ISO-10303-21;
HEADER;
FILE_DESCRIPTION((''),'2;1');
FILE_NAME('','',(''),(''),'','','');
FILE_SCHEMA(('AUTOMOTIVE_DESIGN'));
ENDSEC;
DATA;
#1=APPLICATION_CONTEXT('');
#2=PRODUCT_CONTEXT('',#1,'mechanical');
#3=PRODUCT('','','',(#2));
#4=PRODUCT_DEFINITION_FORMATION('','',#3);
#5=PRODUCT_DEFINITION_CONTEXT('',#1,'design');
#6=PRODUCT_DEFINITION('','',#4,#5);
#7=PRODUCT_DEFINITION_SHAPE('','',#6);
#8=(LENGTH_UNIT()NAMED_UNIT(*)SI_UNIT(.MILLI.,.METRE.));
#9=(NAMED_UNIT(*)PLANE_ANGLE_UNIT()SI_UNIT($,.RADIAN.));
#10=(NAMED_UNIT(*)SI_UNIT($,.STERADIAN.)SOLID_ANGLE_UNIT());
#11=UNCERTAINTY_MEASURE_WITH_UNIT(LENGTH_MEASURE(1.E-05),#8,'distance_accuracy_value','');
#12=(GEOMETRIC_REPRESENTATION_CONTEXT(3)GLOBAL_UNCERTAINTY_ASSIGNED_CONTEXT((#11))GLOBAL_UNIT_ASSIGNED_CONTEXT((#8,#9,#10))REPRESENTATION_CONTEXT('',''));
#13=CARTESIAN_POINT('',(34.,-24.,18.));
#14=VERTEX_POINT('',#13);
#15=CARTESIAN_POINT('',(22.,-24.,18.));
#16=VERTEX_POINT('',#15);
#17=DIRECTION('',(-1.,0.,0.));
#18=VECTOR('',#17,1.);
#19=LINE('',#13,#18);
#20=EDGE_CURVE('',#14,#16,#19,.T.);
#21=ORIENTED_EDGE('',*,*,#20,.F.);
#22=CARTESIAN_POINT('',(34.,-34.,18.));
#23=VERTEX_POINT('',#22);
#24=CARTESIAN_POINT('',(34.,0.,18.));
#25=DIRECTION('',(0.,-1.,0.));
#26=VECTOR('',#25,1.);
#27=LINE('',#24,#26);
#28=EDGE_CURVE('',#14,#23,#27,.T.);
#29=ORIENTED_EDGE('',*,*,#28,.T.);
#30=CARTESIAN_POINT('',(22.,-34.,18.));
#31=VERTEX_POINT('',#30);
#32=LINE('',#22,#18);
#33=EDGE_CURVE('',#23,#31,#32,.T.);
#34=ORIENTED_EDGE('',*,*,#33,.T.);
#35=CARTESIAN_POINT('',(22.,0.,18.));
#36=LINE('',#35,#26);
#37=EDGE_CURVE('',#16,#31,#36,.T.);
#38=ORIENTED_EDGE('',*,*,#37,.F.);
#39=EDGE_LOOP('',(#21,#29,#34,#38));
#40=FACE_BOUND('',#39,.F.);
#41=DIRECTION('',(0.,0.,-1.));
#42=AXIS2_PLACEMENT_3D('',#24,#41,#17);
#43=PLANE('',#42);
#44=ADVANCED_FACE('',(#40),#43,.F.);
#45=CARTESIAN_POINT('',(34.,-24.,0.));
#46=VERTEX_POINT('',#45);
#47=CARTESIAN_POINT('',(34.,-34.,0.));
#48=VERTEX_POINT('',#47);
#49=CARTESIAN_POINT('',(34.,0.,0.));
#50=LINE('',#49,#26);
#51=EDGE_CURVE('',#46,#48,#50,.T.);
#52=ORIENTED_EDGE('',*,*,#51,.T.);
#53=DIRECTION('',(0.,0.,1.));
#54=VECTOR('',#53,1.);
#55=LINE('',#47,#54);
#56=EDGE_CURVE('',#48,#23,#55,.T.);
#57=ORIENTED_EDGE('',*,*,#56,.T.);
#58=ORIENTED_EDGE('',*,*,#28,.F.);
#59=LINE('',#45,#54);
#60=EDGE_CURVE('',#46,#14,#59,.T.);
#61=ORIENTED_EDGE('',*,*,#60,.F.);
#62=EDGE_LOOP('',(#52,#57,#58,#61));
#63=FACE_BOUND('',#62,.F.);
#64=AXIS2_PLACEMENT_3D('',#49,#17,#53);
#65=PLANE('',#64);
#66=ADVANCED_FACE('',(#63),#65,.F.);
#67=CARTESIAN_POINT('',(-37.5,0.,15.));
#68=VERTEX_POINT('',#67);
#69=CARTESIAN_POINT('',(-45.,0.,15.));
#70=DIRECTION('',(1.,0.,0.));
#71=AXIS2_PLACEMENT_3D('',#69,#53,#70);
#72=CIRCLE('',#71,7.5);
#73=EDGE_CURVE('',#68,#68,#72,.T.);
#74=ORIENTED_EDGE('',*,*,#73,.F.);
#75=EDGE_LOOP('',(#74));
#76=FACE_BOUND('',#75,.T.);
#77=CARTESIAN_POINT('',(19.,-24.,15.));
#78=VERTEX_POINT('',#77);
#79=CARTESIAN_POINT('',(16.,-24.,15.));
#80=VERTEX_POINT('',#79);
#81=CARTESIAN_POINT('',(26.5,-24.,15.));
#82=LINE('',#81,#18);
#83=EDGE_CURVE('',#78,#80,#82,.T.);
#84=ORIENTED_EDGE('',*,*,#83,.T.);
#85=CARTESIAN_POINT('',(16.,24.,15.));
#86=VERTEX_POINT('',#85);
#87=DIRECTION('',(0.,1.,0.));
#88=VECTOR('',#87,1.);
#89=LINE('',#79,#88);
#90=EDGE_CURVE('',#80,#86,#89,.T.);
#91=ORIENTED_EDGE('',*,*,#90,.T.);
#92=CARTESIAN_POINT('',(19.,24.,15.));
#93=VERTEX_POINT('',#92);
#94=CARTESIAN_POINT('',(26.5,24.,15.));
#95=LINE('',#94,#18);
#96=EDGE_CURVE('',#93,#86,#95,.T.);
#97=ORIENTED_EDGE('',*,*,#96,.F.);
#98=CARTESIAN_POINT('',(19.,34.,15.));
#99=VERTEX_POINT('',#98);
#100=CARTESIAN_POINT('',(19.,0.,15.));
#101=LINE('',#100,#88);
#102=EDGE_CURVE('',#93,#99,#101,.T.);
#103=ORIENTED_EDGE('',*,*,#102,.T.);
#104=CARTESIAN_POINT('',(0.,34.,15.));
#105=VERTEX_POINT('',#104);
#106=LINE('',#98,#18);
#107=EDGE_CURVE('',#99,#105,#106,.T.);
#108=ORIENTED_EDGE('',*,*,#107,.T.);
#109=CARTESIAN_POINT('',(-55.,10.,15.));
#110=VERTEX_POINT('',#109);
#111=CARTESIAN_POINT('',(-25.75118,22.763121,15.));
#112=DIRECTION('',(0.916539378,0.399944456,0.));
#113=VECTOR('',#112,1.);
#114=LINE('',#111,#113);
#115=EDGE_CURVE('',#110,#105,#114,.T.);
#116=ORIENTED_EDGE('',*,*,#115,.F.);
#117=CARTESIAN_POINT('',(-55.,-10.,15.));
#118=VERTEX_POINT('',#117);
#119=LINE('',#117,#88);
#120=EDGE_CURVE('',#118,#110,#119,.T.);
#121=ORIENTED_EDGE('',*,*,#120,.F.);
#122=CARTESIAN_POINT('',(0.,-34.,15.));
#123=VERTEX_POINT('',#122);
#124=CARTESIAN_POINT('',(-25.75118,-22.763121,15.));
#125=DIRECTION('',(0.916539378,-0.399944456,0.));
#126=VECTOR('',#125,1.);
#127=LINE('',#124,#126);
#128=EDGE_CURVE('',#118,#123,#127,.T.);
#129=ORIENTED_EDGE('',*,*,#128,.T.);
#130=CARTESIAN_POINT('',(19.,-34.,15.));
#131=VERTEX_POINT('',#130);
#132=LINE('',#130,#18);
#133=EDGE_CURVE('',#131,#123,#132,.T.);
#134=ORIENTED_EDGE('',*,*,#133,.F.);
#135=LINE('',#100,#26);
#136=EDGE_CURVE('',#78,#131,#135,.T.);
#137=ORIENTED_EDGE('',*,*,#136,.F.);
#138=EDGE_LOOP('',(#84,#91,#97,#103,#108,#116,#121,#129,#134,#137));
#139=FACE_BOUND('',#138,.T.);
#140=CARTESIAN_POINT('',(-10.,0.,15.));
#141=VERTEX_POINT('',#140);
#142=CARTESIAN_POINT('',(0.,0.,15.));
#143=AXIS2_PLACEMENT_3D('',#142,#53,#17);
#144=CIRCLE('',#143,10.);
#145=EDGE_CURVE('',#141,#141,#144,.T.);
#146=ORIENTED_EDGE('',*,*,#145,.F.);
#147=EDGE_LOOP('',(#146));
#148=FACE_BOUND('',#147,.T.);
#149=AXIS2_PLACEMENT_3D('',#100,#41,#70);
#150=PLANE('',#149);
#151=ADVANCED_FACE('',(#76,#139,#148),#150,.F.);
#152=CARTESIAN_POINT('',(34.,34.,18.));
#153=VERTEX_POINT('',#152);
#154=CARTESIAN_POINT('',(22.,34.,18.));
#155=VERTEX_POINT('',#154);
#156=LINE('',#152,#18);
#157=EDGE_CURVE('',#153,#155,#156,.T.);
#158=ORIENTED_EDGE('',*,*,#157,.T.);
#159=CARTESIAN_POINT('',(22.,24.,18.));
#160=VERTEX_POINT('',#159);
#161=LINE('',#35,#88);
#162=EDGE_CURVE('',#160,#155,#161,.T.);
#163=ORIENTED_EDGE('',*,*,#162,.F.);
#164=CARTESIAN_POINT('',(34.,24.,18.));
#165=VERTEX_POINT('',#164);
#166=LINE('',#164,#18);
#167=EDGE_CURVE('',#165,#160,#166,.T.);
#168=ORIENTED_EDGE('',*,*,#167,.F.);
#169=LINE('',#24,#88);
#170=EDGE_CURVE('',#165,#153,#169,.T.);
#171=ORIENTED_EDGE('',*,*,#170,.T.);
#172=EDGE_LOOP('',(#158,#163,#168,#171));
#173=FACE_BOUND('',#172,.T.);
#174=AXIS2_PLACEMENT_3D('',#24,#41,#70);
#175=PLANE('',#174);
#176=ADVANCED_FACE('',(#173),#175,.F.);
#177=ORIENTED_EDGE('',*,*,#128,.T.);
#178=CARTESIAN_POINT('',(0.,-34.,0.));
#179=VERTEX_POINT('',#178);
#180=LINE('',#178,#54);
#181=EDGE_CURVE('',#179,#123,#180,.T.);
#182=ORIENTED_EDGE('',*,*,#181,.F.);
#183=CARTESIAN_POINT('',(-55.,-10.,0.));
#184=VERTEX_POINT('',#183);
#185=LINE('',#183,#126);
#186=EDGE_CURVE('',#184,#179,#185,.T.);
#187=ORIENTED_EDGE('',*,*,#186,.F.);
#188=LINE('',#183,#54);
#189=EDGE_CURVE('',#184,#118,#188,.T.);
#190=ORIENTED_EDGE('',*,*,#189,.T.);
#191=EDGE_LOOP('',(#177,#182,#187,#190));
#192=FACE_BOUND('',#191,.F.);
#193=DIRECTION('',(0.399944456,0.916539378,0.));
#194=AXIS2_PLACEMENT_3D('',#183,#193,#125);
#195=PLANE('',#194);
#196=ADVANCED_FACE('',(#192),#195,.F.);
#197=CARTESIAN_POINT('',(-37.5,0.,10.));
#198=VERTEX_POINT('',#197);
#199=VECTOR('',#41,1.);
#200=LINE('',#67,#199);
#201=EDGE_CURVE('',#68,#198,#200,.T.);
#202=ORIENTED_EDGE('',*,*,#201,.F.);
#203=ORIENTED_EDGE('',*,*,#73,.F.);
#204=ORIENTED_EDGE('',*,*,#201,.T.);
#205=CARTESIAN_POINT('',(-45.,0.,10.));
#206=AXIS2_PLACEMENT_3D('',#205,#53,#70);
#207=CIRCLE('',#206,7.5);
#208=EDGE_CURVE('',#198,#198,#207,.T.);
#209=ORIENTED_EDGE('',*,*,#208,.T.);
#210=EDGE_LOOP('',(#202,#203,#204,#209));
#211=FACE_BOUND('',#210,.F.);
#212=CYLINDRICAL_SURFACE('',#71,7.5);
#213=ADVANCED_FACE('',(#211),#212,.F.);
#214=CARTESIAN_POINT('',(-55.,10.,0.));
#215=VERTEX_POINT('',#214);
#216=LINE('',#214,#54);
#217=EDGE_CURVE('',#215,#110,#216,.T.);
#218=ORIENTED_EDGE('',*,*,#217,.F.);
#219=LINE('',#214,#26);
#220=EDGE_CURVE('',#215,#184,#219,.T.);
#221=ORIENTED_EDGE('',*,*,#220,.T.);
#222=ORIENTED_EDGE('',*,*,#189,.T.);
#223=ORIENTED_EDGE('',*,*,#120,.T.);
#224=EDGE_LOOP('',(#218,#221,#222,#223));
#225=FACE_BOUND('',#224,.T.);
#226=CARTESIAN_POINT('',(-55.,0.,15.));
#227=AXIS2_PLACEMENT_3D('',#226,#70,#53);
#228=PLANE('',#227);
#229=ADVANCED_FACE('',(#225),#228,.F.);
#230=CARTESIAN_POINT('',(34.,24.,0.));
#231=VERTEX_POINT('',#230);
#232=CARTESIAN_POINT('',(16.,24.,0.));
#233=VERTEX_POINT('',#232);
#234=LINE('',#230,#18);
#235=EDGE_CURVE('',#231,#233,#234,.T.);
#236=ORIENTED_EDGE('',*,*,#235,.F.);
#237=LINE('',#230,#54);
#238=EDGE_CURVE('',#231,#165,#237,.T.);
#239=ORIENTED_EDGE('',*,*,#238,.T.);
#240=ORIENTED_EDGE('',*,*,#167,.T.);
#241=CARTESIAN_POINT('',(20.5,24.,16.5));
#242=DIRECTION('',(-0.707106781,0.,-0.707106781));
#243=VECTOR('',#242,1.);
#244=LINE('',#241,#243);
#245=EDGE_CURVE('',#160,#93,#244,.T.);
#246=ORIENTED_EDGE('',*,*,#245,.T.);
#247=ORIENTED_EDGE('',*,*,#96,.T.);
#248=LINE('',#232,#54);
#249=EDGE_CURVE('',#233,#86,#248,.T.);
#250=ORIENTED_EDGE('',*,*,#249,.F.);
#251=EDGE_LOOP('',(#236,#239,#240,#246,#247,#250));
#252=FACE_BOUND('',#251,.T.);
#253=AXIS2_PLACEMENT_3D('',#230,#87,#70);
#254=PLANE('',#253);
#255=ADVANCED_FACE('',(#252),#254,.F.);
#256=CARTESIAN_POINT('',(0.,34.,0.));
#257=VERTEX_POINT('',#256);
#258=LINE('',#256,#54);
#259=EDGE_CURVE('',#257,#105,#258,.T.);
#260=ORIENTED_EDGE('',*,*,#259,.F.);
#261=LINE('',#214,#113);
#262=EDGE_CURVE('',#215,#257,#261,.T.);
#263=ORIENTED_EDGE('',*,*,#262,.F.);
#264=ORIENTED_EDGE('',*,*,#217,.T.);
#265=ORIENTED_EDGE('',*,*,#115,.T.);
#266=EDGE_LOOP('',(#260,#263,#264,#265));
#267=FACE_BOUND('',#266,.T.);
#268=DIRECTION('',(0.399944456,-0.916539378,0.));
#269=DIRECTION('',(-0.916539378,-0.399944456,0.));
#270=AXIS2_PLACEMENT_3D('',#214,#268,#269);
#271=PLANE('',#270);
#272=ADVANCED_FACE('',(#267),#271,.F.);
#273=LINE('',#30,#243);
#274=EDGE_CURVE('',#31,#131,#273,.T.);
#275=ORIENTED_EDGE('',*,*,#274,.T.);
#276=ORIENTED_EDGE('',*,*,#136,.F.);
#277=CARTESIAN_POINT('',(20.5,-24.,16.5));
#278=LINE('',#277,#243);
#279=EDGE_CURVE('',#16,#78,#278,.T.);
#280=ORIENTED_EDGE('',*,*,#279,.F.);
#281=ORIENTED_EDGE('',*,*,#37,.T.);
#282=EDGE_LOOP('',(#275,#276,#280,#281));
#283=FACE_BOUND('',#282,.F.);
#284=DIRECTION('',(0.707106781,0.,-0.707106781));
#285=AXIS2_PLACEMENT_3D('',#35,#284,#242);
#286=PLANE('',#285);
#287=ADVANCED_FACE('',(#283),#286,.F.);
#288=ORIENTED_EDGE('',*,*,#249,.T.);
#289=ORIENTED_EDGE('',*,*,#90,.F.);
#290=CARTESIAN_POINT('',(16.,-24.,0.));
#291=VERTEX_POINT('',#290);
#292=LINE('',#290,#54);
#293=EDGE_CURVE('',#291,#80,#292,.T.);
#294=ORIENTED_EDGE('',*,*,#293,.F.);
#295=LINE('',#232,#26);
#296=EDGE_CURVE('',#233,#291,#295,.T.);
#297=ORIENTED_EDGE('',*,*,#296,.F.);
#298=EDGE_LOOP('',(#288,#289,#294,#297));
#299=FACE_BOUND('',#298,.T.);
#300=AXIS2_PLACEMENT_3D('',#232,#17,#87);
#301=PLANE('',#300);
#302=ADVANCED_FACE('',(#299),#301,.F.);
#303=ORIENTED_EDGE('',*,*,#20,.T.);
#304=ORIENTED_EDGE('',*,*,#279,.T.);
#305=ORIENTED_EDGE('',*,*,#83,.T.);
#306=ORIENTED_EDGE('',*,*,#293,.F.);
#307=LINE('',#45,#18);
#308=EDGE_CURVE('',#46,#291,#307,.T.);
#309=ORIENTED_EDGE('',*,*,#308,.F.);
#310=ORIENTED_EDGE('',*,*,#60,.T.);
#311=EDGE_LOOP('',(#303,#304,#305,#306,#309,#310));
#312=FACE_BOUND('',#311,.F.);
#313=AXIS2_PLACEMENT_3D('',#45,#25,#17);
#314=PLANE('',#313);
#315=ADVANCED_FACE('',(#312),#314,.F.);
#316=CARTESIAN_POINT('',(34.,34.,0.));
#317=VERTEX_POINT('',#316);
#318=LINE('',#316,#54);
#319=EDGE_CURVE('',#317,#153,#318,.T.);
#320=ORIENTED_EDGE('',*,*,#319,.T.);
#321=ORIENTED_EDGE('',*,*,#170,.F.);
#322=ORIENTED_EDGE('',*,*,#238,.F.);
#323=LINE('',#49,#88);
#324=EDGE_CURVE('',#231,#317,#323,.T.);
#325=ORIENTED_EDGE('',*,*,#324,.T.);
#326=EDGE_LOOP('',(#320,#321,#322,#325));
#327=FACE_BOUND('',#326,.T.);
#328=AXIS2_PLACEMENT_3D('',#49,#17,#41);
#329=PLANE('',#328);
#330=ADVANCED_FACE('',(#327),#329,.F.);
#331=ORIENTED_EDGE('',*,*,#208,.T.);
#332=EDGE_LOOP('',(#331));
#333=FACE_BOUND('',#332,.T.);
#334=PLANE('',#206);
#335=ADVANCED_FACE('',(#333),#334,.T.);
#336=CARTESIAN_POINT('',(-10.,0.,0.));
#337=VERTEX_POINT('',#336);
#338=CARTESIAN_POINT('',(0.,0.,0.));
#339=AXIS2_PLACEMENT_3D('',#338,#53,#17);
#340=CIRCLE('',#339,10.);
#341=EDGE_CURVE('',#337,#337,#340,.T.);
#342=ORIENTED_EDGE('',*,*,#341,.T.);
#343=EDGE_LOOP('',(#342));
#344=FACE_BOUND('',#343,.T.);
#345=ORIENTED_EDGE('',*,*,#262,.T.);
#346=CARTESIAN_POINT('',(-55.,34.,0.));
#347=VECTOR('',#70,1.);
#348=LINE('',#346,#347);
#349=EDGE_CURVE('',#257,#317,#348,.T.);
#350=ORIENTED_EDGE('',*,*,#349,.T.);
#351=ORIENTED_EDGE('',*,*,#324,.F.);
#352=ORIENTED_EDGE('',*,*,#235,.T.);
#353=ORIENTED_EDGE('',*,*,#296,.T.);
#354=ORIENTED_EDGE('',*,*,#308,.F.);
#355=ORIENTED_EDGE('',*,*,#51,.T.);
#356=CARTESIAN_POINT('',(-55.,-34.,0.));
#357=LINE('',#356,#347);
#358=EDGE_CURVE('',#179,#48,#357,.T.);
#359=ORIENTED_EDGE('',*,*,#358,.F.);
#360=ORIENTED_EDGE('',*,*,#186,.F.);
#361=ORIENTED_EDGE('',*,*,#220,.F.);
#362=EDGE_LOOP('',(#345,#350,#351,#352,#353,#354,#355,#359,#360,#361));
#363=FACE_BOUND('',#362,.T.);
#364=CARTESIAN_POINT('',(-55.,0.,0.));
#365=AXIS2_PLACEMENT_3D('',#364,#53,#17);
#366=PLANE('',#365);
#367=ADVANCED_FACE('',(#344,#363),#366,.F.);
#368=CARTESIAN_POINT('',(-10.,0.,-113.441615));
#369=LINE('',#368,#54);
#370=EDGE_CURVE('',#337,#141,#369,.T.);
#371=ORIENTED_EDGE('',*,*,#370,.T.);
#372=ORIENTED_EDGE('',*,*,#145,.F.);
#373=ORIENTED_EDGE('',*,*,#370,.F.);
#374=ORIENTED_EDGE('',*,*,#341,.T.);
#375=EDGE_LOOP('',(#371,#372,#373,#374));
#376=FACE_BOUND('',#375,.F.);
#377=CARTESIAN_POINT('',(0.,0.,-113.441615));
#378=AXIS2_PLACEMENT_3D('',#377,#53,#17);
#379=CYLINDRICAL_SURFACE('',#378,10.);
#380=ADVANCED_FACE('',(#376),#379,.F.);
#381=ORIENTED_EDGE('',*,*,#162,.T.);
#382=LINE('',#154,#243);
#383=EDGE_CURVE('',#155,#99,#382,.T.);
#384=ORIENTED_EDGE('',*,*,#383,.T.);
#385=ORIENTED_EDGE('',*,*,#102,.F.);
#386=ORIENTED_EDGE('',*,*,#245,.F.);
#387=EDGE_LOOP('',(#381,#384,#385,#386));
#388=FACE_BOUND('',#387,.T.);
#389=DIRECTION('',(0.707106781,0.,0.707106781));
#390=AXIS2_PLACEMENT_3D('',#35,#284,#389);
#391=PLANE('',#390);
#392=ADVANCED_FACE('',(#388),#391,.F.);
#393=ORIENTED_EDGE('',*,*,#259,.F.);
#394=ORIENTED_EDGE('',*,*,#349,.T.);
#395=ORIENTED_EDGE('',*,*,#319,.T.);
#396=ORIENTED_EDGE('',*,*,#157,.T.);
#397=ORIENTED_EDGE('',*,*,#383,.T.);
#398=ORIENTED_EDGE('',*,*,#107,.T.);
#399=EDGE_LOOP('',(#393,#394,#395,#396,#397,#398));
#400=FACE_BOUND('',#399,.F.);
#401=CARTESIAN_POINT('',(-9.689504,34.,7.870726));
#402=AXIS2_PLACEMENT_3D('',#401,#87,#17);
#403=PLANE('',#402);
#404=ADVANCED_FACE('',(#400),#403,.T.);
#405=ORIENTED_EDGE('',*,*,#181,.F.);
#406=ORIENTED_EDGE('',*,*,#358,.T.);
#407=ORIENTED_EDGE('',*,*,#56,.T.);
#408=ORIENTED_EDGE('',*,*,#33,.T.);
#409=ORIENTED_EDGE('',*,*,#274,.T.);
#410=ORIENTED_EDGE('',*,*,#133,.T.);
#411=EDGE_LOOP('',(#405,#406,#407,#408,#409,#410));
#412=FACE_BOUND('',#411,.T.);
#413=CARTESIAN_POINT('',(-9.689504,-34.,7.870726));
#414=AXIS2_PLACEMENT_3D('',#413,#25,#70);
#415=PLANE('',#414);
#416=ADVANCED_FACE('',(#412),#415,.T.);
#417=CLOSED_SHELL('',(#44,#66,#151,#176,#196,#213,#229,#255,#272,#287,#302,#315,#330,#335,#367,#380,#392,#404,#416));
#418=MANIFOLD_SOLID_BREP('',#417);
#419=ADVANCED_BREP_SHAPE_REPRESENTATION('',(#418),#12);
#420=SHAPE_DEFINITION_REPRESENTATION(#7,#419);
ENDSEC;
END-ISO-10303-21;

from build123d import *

# Parameters (mm, degrees)
F3_DEPTH = 34
F4_DEPTH = 18.001
F6_D     = 20
F7_R     = 7.5
F8_DEPTH = 5


with BuildPart() as f3:
    # F0 (on Front) → F3 (new body)
    with BuildSketch(Plane.XZ):
        Polygon((-55, 15), (-55, 0), (34, 0), (34, 18), (22, 18), (19, 15), align=None)
    extrude(amount=F3_DEPTH)

    # F1 (on Top) → F4 (intersect, through all)
    with BuildSketch(Plane.XY):
        Polygon((16, 0), (-55, 0), (-55, -10), (0, -34), (34, -34), (34, -24), (16, -24), align=None)
    extrude(amount=F4_DEPTH, mode=Mode.INTERSECT)

    # F5: F3 across plane


with BuildPart() as f3_1:
    add(f3.part)
    add(f3.part.mirror(Plane.XZ))

    # F6 (through all)
    with Locations(Plane(origin=(0, 0, 0), x_dir=(1, 0, 0), z_dir=(0, 0, -1))):
        with Locations((0, 0)):
            Hole(F6_D / 2)

    # F7 (on face) → F8 (cut)
    with BuildSketch(Plane.XY.offset(15)):
        with Locations((-45, 0)):
            Circle(F7_R)
    extrude(amount=-F8_DEPTH, mode=Mode.SUBTRACT)


solid = f3_1.part
